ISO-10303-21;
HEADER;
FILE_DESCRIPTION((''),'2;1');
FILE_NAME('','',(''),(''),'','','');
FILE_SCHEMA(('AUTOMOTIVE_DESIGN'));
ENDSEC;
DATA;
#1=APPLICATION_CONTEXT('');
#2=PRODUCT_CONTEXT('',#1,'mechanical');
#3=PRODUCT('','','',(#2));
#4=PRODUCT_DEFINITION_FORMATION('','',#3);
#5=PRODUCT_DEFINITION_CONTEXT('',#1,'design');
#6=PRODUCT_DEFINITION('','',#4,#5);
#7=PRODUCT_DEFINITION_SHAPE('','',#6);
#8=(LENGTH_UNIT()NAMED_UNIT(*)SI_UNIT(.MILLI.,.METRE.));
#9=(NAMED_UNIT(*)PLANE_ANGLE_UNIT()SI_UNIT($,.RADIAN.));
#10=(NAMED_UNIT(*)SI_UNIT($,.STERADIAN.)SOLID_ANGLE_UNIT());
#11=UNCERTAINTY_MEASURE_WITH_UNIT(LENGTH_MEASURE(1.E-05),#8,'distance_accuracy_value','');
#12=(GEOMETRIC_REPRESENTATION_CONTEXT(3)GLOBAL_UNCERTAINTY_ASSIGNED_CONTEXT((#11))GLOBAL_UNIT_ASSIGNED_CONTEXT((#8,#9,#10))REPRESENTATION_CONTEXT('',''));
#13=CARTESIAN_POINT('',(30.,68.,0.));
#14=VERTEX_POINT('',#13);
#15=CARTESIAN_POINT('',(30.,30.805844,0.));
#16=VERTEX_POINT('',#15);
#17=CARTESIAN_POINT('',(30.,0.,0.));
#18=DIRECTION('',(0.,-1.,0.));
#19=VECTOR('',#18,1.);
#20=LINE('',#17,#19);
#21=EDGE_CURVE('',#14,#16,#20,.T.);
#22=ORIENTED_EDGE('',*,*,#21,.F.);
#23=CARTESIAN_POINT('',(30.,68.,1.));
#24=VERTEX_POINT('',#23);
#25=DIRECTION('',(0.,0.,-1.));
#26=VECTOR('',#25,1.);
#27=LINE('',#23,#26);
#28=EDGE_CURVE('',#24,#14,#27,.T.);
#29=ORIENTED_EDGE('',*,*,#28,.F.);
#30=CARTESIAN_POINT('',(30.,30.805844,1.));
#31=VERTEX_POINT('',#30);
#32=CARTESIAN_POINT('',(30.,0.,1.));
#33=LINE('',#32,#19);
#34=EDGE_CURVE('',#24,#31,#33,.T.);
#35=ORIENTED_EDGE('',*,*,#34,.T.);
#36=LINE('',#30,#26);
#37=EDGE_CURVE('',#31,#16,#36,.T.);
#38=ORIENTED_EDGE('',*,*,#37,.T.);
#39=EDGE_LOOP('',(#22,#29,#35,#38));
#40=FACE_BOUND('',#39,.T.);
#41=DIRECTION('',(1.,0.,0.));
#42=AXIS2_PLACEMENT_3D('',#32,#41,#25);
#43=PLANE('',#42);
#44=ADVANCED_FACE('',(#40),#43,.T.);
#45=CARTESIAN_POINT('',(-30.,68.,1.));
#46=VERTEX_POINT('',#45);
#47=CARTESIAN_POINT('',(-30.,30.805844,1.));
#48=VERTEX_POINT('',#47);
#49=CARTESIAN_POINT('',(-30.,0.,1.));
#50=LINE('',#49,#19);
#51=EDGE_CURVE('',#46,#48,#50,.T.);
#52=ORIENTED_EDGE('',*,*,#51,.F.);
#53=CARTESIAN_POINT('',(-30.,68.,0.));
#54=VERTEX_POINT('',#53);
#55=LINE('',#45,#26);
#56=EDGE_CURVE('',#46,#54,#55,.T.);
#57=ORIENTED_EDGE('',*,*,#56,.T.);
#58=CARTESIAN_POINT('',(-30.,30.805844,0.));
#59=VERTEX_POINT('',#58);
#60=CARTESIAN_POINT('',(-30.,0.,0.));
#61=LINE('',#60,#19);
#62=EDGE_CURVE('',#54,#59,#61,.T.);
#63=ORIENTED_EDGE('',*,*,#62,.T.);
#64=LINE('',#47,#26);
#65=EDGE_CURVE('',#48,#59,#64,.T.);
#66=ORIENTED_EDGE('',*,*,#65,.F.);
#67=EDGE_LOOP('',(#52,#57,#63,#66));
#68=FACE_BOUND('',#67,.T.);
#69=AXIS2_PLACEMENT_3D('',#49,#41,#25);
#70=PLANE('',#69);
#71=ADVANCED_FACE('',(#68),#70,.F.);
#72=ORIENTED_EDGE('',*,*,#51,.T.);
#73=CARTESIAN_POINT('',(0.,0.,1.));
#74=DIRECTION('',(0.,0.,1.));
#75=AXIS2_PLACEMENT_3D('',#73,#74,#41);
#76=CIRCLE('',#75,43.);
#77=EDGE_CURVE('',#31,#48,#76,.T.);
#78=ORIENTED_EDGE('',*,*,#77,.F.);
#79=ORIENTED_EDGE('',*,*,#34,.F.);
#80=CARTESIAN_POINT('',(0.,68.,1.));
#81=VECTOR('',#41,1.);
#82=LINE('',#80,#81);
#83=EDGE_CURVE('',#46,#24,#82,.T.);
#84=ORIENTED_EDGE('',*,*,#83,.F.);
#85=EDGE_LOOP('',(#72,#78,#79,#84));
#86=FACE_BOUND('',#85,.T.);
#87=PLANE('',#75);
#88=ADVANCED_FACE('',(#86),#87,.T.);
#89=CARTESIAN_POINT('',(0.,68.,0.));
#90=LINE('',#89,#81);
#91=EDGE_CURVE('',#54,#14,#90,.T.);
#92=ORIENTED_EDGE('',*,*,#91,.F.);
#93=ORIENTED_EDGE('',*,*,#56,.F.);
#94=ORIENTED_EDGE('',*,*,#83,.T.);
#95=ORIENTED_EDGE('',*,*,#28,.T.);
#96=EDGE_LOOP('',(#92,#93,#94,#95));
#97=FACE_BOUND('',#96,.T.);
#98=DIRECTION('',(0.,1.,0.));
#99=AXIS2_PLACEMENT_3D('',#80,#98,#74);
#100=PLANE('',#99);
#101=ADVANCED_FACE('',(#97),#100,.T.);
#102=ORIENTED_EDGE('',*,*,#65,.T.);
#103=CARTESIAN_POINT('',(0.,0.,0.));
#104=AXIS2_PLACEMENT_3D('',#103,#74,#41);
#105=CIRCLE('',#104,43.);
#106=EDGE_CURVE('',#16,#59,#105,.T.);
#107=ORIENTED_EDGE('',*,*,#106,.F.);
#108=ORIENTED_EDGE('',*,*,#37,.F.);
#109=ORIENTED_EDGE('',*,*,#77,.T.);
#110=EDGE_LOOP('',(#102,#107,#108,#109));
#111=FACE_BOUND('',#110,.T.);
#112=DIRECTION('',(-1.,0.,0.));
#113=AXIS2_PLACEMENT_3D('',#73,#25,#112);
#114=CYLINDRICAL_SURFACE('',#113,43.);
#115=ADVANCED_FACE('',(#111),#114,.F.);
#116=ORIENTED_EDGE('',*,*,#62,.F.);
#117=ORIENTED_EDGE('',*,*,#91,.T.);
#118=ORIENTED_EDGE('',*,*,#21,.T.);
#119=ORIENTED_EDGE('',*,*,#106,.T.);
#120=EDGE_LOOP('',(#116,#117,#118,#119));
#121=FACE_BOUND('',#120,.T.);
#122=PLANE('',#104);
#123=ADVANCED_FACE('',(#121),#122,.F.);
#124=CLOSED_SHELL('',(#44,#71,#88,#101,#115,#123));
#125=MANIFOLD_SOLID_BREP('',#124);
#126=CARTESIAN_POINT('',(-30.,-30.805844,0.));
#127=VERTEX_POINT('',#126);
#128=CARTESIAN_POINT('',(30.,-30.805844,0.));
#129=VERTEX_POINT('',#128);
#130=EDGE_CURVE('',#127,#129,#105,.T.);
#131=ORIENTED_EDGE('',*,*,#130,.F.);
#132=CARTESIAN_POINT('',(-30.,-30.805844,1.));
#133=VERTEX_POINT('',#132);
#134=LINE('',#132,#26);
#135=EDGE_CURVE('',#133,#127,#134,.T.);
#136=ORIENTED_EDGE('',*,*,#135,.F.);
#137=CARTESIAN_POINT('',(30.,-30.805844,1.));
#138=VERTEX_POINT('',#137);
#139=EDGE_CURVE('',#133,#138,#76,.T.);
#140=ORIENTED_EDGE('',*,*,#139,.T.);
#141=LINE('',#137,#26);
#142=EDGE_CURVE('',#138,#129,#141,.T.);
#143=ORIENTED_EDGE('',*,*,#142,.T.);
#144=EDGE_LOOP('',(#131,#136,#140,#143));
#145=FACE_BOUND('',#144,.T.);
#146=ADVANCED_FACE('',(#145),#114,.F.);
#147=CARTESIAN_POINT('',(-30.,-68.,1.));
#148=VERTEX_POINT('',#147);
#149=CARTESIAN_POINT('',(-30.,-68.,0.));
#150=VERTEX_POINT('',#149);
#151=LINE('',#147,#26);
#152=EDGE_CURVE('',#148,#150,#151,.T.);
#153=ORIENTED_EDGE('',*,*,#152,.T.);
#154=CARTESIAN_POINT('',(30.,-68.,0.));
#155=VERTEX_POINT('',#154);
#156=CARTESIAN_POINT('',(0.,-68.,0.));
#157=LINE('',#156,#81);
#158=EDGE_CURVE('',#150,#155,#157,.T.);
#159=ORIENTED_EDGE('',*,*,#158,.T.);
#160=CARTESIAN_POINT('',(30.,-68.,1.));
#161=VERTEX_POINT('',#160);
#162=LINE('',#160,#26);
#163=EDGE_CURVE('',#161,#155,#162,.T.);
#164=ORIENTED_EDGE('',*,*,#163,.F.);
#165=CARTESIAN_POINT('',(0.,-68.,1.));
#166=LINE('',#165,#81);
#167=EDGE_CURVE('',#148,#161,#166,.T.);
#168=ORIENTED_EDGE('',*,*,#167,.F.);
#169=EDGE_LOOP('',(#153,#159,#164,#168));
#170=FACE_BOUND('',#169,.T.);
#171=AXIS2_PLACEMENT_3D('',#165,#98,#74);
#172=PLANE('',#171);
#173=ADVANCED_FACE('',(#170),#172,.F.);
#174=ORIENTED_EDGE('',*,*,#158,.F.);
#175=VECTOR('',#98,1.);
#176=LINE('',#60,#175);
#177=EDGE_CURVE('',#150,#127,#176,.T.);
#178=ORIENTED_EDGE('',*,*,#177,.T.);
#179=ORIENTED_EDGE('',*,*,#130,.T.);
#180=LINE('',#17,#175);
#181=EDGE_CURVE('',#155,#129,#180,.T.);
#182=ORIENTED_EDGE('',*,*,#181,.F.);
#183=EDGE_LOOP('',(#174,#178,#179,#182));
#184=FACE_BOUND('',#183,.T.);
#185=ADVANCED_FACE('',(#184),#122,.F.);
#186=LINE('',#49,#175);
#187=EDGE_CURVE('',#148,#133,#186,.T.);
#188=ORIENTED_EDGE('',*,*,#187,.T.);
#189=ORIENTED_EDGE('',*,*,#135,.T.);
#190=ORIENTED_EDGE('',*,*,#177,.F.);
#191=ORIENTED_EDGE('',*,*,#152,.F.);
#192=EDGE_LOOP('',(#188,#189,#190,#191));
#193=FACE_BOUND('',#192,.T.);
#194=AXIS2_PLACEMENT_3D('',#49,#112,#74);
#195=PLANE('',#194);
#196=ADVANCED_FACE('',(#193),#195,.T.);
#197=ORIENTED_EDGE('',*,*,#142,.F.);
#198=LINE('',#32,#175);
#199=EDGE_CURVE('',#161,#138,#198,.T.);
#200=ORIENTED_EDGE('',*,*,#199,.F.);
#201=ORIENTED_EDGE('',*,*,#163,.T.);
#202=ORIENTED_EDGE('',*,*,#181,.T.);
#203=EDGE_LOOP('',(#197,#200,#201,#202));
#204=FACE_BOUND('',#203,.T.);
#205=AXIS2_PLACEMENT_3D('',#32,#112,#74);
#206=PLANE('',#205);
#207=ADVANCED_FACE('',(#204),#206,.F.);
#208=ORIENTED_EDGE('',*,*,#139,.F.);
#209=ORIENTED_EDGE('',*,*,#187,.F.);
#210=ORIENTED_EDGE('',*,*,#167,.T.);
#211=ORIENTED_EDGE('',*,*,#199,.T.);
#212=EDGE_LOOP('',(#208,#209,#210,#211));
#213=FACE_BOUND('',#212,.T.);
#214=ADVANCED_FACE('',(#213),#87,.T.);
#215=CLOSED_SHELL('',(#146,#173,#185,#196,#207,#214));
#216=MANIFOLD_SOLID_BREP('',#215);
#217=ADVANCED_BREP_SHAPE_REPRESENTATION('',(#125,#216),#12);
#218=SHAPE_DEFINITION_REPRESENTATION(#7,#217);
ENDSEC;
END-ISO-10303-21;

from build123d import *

# Parameters (mm, degrees)
SALIENTE_EXTRUIR1_DEPTH   = 1
SALIENTE_EXTRUIR1_2_DEPTH = 1


with BuildPart() as part:
    # Croquis1 → Saliente-Extruir1 (new body)
    with BuildSketch(Plane.XY):
        with BuildLine():
            Line((30, 68), (-30, 68))
            Line((-30, 68), (-30, 30.805843601))
            ThreePointArc((-30, 30.805843601), (0, 43), (30, 30.805843601))
            Line((30, 30.805843601), (30, 68))
        make_face()
    extrude(amount=SALIENTE_EXTRUIR1_DEPTH)


with BuildPart() as body_2:
    # Croquis1 → Saliente-Extruir1 2 (new body)
    with BuildSketch(Plane.XY):
        with BuildLine():
            ThreePointArc((30, -30.805843601), (0, -43), (-30, -30.805843601))
            Line((-30, -30.805843601), (-30, -68))
            Line((-30, -68), (30, -68))
            Line((30, -68), (30, -30.805843601))
        make_face()
    extrude(amount=SALIENTE_EXTRUIR1_2_DEPTH)


solid = Compound([part.part, body_2.part])
